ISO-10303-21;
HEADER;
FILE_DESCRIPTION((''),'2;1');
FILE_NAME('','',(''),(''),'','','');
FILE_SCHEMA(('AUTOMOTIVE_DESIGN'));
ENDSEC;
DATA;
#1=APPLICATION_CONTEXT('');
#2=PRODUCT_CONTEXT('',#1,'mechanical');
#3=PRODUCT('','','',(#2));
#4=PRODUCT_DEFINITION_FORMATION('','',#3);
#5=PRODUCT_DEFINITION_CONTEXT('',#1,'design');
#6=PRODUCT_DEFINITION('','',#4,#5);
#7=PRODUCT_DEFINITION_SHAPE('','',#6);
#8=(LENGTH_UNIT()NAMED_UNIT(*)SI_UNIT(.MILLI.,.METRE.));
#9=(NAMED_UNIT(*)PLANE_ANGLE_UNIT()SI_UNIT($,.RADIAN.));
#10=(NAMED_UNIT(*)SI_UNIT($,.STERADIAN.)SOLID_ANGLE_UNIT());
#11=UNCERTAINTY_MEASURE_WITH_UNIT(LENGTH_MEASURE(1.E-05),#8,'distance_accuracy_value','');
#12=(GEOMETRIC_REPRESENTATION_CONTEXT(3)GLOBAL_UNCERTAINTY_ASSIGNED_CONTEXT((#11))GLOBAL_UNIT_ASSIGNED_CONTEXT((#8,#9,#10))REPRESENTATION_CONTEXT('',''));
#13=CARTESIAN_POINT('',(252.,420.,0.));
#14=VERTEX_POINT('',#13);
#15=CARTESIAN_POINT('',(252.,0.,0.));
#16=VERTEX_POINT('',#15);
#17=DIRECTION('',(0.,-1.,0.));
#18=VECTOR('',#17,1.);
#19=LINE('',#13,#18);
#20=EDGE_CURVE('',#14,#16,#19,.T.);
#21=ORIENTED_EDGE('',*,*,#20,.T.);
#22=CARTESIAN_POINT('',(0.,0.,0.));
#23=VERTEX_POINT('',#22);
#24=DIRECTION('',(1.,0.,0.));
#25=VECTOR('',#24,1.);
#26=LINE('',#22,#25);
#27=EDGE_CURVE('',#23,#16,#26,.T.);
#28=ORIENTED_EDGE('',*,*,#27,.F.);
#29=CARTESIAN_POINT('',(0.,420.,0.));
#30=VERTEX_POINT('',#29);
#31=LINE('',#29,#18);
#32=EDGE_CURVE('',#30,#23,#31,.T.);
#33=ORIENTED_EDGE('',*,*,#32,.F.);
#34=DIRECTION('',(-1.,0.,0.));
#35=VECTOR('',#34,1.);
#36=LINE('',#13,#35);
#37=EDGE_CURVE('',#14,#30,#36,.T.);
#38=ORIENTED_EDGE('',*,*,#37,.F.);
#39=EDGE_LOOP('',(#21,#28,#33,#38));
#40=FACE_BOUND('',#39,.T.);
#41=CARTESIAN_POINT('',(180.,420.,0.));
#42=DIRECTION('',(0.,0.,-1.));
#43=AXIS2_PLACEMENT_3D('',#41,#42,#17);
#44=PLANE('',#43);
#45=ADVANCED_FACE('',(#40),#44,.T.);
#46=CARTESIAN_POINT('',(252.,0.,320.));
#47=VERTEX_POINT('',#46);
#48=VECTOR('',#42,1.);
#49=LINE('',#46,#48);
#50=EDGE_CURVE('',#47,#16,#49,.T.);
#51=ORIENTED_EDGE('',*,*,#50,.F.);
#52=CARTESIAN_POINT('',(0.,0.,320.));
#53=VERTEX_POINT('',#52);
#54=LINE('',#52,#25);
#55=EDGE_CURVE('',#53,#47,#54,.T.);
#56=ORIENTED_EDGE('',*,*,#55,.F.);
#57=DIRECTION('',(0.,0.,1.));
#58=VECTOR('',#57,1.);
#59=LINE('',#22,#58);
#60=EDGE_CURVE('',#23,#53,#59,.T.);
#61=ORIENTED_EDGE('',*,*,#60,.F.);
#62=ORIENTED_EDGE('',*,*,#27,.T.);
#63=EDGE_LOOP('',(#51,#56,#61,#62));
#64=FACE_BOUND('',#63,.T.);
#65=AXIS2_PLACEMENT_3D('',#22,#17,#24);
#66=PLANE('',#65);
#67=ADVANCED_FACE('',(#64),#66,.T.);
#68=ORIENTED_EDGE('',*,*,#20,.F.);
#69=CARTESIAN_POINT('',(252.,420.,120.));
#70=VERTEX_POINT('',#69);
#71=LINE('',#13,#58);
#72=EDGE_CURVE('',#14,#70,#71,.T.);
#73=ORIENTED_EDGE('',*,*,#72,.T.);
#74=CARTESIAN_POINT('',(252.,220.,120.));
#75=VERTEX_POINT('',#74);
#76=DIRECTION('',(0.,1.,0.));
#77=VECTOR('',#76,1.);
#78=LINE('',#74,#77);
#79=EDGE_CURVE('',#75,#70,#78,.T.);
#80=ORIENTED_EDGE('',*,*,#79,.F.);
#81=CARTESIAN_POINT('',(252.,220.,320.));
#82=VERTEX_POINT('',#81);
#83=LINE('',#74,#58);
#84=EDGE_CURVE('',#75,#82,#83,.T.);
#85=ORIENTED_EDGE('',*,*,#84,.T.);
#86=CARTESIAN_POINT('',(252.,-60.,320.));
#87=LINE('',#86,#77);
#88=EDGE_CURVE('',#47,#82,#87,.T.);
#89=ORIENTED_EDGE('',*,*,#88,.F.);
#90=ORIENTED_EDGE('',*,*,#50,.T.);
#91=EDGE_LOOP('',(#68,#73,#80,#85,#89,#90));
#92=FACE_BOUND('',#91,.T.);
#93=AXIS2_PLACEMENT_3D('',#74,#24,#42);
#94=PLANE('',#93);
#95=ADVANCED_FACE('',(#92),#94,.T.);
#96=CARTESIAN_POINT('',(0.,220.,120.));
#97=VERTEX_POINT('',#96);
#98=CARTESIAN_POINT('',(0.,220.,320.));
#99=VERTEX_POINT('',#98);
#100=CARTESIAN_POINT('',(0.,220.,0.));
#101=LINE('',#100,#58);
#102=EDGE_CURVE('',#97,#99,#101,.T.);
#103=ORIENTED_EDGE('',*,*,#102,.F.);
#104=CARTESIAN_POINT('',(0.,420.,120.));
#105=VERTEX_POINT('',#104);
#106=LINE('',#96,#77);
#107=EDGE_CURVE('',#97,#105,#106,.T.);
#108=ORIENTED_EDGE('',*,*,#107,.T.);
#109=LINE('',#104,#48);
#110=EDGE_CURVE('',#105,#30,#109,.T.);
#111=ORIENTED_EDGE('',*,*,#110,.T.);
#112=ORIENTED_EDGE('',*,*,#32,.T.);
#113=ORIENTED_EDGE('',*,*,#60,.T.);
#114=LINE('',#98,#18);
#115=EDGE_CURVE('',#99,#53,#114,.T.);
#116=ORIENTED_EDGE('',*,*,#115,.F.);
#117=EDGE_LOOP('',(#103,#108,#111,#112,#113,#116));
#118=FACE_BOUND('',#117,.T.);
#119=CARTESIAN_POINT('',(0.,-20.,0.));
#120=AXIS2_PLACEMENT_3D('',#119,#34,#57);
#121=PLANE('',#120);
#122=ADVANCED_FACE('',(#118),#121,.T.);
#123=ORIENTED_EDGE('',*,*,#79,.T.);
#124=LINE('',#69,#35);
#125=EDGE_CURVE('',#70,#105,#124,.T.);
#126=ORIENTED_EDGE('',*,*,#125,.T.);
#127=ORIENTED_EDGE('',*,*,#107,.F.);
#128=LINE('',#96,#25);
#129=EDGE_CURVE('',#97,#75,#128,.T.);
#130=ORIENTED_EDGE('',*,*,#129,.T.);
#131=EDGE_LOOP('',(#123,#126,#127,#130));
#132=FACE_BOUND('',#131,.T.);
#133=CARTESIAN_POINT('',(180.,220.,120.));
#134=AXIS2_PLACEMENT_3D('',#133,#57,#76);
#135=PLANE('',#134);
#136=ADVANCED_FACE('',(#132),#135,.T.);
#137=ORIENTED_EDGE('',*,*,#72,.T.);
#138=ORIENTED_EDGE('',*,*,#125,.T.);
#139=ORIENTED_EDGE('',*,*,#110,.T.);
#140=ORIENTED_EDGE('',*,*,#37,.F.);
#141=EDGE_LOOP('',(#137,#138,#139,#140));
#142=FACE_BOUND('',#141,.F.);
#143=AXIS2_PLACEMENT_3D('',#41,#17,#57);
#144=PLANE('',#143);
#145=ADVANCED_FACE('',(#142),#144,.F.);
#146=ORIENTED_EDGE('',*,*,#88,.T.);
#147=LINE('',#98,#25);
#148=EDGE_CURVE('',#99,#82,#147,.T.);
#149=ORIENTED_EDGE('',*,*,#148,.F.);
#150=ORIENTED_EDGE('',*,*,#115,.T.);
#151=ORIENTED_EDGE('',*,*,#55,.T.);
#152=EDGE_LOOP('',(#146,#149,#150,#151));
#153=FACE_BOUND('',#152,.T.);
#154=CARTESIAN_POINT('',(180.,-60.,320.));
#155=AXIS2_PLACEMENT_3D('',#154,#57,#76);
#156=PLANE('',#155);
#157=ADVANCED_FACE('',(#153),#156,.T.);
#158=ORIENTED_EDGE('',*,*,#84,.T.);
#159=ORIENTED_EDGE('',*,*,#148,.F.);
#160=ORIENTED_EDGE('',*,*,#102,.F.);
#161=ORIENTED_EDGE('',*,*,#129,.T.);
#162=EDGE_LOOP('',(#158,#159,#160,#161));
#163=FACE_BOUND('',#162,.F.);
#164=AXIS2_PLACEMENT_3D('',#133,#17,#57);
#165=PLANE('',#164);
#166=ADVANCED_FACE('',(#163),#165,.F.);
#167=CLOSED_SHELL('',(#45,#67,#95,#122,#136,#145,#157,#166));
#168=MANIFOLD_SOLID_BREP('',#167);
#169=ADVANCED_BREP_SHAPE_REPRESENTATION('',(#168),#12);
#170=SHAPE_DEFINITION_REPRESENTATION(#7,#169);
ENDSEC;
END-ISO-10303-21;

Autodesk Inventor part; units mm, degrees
ref_plane "YZ Plane" through (0, 0, 0) normal (1, 0, 0) x (0, 1, 0)
ref_plane "XZ Plane" through (0, 0, 0) normal (0, 1, 0) x (-1, 0, 0)
ref_plane "XY Plane" through (0, 0, 0) normal (0, 0, 1) x (1, 0, 0)
sketch "Sketch2" plane through (0, 0, 0) normal (0, 0, 1) x (1, 0, 0)
  line L0 (0, 0) -> (180, 0)
  line L1 (180, 0) -> (180, 220)
  line L2 (180, 220) -> (0, 220)
  line L3 (0, 220) -> (0, 0)
  dimension "d4" = 220
  dimension "d5" = 180
extrude "Extrusion2" add sketch "Sketch2" along normal blind 320
sketch "Sketch3" plane through (0, 220, 0) normal (0, 1, 0) x (1, 0, 0)
  line L0 (0, 0) -> (180, 0) projected
  line L1 (180, 0) -> (180, -320) projected
  line L2 (0, 0) -> (180, 0)
  line L3 (180, 0) -> (180, -120)
  line L4 (180, -120) -> (0, -120)
  line L5 (0, -120) -> (0, 0)
  dimension "d8" = 120
extrude "Extrusion3" add sketch "Sketch3" along normal blind 200
sketch "Sketch4" plane through (0, 0, 0) normal (0, -1, 0) x (1, 0, 0)
  line L0 (0, 0) -> (180, 0) projected
  line L1 (180, 0) -> (180, 320) projected
  line L2 (0, 0) -> (180, 0)
  line L3 (180, 0) -> (180, 320)
  line L4 (180, 320) -> (0, 320)
  line L5 (0, 320) -> (0, 0)
extrude "Extrusion4" add sketch "Sketch4" along normal blind 20
sketch "Sketch5" plane through (0, -20, 0) normal (0, -1, 0) x (1, 0, 0)
  line L0 (180, 320) -> (0, 320) projected
  line L1 (180, 120) -> (180, 0) projected
  line L2 (0, 320) -> (180, 320)
  line L3 (180, 320) -> (180, 0)
  line L4 (180, 0) -> (0, 0)
  line L5 (0, 0) -> (0, 320)
extrude "Extrusion5" add sketch "Sketch5" along normal blind 40
sketch "Sketch6" plane through (180, 220, 120) normal (1, 0, 0) x (0, 0, -1)
  line L0 (0, 0) -> (-200, 0) projected
  line L1 (-200, 0) -> (0, 0)
  line L2 (120, 200) -> (0, 200) projected
  line L3 (0, 0) -> (0, 200)
  line L4 (0, 200) -> (120, 200)
  line L5 (120, 200) -> (120, -280) projected
  line L6 (120, 200) -> (120, -280)
  line L7 (120, -280) -> (-200, -280) projected
  line L8 (120, -280) -> (-200, -280)
  line L9 (-200, -280) -> (-200, 0)
  point P0 (120, -220)
extrude "Extrusion6" add sketch "Sketch6" along normal blind 72
sketch "Sketch7" plane through (0, -60, 0) normal (0, -1, 0) x (1, 0, 0)
  line L0 (0, 0) -> (252, 0) projected
  line L1 (0, 320) -> (252, 320)
  line L2 (252, 320) -> (252, 0)
  line L3 (252, 0) -> (0, 0)
  line L4 (0, 0) -> (0, 320)
extrude "Extrusion7" cut sketch "Sketch7" against normal blind 40
sketch "Sketch8" plane through (0, -20, 0) normal (0, -1, 0) x (1, 0, 0)
  line L0 (0, 120) -> (0, 320) projected
  line L1 (0, 0) -> (252, 0) projected
  line L2 (0, 320) -> (252, 320)
  line L3 (252, 320) -> (252, 0)
  line L4 (252, 0) -> (0, 0)
  line L5 (0, 0) -> (0, 320)
extrude "Extrusion8" cut sketch "Sketch8" against normal blind 20
properties part number "Fuel tank newest"
